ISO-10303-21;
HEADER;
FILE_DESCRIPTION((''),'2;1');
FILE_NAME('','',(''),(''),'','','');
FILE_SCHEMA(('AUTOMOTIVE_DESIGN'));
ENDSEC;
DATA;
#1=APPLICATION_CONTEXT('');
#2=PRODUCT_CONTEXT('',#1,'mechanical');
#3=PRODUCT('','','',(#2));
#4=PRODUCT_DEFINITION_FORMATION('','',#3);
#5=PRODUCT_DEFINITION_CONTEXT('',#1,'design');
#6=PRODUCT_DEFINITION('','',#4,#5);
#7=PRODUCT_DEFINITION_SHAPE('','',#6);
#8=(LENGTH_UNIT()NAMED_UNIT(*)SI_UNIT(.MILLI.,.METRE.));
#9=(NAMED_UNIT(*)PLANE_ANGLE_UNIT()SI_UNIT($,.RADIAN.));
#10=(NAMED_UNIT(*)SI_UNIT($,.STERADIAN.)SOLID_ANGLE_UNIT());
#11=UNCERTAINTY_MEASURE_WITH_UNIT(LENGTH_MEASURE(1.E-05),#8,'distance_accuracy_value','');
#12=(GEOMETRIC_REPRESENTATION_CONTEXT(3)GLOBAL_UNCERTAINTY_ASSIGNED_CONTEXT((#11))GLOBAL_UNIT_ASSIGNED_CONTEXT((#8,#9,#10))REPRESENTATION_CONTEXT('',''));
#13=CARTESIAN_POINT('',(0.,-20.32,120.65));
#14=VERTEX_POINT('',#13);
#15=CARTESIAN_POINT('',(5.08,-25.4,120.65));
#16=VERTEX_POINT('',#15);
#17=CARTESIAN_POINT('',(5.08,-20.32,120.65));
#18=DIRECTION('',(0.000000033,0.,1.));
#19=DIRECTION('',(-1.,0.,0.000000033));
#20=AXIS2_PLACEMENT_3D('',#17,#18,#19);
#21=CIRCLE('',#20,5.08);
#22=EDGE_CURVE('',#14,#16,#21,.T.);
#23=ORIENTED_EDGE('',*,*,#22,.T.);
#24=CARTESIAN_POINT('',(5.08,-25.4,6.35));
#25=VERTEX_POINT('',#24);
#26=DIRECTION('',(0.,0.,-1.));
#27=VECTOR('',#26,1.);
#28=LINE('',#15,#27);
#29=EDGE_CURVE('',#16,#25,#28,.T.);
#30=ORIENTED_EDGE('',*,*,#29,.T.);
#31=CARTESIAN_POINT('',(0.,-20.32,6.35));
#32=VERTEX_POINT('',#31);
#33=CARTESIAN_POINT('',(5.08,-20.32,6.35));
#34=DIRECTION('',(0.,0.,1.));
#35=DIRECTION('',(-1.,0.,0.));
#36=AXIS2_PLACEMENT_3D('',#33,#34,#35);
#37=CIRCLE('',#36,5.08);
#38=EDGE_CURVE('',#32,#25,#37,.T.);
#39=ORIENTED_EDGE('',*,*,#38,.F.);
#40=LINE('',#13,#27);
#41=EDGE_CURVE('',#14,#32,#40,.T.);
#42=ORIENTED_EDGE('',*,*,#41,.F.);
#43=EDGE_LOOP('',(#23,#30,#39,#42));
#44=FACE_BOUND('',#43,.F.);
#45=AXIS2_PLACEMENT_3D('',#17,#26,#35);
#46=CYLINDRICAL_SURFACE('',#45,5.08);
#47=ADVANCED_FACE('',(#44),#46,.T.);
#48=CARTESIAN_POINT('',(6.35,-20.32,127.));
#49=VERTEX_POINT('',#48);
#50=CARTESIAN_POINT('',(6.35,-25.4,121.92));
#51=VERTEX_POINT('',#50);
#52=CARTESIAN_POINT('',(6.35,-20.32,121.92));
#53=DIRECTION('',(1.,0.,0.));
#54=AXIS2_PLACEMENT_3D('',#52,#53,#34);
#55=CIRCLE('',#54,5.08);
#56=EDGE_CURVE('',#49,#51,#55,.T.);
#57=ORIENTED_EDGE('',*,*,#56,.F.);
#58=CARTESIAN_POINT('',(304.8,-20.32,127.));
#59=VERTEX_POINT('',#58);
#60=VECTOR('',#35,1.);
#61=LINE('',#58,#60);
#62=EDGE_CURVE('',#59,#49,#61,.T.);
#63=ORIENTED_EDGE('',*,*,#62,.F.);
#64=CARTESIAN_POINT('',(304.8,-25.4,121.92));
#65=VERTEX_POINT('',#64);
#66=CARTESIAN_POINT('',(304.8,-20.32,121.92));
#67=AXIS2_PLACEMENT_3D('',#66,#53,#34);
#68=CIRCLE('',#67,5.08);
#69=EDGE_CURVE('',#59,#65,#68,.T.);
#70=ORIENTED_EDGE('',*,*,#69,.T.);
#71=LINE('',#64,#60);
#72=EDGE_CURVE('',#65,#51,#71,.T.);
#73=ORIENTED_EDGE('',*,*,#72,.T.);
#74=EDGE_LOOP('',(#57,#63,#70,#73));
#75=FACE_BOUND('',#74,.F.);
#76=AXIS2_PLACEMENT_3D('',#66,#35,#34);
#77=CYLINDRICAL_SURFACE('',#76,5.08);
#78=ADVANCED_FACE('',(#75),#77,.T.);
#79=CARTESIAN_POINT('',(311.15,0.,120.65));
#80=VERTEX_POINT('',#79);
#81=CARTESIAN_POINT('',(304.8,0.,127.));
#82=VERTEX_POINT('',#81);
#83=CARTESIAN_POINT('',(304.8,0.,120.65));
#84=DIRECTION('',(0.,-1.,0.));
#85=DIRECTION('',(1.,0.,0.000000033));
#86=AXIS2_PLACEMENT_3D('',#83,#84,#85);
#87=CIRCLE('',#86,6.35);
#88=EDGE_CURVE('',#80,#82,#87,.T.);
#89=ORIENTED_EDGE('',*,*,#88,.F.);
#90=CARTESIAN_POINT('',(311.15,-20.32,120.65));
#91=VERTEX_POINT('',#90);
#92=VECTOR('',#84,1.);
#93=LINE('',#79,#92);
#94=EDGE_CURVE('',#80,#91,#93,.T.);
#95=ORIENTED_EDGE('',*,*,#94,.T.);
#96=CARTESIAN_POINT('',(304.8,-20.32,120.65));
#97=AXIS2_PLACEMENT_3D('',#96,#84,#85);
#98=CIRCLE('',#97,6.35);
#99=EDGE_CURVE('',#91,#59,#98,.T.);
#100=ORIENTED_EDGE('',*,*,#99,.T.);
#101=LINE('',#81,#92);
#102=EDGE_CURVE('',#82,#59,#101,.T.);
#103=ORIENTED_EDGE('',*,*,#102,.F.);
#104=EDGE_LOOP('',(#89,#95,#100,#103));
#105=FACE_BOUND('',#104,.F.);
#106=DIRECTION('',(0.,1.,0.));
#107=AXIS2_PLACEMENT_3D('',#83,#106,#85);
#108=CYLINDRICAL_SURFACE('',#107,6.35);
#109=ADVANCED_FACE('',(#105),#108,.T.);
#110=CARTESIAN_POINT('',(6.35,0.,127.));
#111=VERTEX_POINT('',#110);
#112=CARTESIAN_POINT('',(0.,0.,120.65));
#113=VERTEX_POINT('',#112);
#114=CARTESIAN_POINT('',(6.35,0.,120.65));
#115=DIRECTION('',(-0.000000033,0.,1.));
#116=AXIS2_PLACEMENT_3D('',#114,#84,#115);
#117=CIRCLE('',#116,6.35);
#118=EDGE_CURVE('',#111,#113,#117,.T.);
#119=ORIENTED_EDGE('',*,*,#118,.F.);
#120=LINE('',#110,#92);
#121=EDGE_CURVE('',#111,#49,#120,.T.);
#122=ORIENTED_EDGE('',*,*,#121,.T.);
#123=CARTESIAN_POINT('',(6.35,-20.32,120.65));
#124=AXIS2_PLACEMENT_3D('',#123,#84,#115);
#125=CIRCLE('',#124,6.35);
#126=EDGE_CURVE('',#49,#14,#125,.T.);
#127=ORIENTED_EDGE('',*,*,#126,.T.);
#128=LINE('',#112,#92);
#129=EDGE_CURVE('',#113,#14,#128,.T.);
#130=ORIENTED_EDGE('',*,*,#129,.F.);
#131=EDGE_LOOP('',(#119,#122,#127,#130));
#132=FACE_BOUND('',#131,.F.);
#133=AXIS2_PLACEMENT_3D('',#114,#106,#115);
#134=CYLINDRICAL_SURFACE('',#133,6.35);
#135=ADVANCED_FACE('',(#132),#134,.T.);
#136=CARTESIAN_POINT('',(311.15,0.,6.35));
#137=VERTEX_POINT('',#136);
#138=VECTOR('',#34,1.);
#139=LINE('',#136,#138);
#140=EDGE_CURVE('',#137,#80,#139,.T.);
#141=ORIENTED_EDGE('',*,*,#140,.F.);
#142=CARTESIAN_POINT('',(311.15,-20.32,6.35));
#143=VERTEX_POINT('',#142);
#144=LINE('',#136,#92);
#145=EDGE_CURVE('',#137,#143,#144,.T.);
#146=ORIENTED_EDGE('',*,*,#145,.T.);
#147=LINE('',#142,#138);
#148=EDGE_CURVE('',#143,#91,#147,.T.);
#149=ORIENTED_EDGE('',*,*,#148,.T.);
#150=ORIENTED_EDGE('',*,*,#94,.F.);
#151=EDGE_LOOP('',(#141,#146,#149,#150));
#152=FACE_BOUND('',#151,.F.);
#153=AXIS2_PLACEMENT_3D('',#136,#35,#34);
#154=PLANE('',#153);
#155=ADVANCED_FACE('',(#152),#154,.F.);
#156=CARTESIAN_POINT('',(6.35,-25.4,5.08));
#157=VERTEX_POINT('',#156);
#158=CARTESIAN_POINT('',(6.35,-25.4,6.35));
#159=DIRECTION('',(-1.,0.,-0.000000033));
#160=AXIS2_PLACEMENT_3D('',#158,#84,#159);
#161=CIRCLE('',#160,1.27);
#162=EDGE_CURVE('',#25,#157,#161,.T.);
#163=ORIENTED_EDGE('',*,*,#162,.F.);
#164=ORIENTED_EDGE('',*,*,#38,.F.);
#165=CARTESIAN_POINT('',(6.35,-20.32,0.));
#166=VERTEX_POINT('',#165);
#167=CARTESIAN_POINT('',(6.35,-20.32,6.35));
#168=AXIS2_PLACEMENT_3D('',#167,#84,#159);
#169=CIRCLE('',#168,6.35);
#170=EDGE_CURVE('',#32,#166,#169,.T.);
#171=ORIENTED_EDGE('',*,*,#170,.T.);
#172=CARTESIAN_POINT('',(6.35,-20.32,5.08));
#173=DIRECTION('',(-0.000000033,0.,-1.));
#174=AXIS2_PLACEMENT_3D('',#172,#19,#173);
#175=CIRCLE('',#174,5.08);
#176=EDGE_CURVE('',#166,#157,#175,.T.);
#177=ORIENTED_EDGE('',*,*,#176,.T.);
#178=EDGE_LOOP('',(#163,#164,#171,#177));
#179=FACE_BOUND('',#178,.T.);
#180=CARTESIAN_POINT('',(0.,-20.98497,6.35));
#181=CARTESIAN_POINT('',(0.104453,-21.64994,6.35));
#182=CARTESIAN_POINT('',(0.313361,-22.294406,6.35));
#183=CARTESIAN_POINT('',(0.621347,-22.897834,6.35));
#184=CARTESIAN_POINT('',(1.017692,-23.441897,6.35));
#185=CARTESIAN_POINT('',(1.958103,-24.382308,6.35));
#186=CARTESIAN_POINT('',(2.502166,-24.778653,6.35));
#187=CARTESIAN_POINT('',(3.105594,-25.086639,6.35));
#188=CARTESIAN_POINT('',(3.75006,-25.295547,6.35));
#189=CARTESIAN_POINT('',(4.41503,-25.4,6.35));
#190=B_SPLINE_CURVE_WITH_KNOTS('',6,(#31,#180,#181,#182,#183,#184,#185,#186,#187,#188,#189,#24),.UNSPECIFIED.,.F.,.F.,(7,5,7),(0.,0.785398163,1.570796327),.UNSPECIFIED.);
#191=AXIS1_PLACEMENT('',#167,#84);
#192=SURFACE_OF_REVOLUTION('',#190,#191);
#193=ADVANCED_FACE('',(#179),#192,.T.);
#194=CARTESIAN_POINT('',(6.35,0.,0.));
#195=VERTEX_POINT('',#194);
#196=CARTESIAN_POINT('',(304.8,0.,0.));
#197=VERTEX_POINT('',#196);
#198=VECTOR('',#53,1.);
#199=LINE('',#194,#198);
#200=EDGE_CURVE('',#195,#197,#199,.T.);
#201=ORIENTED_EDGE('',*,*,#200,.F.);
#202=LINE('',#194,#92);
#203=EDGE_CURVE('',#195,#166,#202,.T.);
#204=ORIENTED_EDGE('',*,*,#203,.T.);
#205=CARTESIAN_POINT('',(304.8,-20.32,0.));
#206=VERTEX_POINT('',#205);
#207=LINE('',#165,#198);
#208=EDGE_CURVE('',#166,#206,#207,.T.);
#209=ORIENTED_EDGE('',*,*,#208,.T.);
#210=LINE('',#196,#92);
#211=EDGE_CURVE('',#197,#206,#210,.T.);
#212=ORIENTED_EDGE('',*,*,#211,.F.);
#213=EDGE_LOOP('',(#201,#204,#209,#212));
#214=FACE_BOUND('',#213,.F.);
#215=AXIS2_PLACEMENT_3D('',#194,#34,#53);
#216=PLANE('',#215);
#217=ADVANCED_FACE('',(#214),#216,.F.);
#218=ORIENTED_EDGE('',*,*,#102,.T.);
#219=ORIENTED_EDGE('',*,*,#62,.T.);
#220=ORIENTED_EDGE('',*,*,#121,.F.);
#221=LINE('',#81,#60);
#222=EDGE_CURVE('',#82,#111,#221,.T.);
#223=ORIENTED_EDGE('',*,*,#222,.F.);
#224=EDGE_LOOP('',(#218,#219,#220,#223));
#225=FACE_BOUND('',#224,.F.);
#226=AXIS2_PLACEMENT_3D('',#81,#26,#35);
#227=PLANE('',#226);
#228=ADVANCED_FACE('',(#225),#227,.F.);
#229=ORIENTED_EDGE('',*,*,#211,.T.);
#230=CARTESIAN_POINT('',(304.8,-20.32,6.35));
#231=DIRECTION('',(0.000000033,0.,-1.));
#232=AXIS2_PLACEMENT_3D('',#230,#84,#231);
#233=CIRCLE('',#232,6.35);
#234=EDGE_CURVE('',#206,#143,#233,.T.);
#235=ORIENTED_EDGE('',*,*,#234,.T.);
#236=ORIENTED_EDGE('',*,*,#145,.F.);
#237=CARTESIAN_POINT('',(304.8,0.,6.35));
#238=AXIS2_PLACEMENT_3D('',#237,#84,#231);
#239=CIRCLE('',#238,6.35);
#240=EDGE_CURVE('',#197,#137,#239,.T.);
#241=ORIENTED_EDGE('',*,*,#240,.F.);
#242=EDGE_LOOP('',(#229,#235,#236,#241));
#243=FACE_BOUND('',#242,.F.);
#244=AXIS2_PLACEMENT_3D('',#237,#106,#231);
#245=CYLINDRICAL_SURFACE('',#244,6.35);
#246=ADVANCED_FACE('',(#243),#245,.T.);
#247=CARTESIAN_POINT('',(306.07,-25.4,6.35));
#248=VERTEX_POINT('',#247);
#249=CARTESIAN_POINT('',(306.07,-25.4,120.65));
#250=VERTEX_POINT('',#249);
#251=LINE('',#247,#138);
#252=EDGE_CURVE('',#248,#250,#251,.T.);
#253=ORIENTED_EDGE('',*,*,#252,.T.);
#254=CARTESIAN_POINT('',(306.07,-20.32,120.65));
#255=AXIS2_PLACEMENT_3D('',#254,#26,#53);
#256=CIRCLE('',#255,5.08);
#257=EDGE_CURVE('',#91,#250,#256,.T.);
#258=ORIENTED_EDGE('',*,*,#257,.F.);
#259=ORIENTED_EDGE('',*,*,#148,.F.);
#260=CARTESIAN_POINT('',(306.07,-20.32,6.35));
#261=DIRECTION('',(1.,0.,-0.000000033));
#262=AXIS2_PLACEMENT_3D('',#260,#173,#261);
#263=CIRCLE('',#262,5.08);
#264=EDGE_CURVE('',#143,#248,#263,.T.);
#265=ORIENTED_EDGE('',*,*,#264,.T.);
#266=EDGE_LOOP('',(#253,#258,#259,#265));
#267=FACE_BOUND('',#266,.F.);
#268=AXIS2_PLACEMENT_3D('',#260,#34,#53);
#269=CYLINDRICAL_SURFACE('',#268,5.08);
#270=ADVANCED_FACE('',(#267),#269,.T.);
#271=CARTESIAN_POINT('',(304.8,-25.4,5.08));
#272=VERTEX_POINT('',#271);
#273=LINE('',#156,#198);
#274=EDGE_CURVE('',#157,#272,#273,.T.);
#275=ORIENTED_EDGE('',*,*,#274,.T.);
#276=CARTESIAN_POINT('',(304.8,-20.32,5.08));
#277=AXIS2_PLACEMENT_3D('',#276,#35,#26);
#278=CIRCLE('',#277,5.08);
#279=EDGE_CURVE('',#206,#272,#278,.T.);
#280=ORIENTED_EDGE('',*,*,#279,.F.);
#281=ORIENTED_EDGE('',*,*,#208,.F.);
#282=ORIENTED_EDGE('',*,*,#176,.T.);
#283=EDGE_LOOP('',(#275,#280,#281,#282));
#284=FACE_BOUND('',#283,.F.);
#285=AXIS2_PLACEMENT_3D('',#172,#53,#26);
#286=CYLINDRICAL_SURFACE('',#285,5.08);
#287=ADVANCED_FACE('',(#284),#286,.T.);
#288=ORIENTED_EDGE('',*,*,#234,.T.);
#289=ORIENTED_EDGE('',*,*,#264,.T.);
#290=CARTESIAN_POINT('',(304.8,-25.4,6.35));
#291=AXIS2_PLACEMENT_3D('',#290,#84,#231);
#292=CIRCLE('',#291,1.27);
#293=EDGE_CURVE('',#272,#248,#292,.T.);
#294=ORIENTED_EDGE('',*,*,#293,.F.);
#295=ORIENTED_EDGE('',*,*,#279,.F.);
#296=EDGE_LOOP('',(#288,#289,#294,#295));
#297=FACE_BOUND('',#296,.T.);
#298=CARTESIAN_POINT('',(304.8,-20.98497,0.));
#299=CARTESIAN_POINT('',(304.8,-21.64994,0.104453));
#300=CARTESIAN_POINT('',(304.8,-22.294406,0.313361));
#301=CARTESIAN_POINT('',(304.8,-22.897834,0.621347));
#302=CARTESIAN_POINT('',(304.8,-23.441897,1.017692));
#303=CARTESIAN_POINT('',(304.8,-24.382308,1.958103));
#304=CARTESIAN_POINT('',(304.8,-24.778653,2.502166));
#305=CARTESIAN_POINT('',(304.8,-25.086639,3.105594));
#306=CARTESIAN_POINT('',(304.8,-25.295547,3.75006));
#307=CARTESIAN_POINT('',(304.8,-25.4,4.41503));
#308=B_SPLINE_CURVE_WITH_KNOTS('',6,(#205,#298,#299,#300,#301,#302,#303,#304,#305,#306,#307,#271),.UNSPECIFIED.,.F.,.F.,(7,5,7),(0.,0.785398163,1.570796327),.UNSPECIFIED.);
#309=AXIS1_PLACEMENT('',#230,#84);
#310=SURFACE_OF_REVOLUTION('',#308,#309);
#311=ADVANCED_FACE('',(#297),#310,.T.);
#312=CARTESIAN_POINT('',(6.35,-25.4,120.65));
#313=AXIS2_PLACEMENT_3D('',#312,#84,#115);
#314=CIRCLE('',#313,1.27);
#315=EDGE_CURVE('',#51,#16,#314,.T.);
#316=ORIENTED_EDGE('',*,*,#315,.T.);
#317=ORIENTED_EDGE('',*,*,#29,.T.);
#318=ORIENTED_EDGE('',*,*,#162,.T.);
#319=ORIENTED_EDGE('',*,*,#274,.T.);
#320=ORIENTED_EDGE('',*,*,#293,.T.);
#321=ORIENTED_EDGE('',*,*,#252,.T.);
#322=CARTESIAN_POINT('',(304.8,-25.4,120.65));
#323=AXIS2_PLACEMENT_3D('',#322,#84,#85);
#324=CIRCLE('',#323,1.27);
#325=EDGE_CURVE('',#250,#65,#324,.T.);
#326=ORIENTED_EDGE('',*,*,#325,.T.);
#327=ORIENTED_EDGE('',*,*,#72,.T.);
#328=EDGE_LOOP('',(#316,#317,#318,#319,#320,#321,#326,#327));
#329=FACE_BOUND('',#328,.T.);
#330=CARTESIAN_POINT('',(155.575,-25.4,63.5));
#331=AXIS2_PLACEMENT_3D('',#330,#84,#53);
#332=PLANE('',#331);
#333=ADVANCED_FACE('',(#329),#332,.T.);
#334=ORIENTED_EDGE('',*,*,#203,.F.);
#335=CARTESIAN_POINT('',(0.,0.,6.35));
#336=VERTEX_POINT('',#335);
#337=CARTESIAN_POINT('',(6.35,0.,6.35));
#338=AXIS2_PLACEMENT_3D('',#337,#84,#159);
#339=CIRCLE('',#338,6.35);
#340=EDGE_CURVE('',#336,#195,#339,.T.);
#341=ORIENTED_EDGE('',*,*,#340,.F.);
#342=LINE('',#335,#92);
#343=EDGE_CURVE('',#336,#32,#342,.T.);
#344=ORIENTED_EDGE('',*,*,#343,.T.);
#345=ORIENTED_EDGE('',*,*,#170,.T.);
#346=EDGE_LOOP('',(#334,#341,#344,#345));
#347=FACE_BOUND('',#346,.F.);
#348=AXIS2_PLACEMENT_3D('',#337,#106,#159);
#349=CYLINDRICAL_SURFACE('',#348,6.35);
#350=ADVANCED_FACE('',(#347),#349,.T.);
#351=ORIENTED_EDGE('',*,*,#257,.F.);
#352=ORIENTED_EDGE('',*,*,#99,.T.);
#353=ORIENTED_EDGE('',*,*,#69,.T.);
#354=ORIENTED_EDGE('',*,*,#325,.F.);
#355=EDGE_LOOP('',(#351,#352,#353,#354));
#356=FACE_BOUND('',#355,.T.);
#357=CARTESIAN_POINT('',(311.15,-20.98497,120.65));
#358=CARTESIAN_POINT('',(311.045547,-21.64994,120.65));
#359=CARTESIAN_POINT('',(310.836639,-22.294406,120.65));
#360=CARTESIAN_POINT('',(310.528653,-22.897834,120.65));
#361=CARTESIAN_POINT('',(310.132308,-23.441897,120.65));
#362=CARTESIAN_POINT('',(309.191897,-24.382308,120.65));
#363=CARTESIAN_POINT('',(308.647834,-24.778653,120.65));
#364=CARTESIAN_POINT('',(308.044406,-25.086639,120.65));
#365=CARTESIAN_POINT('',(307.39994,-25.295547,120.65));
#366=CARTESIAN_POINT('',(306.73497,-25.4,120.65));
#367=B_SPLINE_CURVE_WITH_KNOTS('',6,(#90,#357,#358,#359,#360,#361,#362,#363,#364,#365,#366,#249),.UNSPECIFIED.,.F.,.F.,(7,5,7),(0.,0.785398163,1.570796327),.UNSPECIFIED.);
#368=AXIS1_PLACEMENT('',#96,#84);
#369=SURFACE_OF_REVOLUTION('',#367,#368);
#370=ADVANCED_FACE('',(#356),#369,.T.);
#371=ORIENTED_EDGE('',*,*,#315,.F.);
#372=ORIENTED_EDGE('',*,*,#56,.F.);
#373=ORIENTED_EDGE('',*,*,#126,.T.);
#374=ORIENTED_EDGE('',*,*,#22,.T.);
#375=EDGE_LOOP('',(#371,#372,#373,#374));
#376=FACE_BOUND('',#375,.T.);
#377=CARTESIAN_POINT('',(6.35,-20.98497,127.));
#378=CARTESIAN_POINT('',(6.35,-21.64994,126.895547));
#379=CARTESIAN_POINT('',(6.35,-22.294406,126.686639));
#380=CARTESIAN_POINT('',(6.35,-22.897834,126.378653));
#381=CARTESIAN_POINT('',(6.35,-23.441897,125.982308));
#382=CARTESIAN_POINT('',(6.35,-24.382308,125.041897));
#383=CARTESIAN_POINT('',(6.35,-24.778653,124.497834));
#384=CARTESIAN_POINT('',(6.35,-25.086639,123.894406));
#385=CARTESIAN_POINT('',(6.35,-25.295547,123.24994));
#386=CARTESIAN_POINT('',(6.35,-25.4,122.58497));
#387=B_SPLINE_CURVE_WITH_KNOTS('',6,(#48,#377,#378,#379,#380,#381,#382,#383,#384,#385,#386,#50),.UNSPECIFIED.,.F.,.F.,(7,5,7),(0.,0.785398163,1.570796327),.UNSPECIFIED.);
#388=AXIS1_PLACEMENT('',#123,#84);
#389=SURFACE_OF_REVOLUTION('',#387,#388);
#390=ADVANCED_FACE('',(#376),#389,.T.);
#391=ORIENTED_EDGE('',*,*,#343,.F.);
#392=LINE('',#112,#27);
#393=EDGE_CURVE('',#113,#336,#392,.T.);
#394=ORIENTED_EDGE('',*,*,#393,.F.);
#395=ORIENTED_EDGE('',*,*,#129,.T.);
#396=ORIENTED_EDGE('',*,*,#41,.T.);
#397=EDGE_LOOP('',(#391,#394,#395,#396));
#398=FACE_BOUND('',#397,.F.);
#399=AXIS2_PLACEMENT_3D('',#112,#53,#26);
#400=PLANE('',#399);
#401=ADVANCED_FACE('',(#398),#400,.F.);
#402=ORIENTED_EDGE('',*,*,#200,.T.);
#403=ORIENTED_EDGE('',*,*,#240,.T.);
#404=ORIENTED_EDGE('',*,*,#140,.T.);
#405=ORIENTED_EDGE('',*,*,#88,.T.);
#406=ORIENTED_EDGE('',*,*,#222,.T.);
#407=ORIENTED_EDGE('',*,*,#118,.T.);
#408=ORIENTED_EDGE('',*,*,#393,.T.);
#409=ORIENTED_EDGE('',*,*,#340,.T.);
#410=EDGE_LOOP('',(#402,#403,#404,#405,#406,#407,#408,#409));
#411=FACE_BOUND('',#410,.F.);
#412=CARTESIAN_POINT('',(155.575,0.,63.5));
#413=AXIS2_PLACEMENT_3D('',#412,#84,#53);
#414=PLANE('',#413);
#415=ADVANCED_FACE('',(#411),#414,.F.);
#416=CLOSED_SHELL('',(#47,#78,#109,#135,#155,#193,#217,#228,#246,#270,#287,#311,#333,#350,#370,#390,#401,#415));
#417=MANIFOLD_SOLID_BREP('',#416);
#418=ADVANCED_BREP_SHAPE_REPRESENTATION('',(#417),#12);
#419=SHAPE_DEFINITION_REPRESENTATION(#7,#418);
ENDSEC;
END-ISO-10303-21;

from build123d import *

# Parameters (mm, degrees)
F1_DEPTH = 25.4
F2_R     = 5.08


with BuildPart() as f1:
    # F0 (on Front) → F1 (new body)
    with BuildSketch(Plane.XZ):
        with BuildLine():
            ThreePointArc((0, 6.35), (1.859872, 1.859872), (6.35, 0))
            Line((6.35, 0), (304.8, 0))
            ThreePointArc((304.8, 0), (309.290128, 1.859872), (311.15, 6.35))
            Line((311.15, 6.35), (311.15, 120.65))
            ThreePointArc((311.15, 120.65), (309.290128, 125.140128), (304.8, 127))
            Line((304.8, 127), (6.35, 127))
            ThreePointArc((6.35, 127), (1.859872, 125.140128), (0, 120.65))
            Line((0, 120.65), (0, 6.35))
        make_face()
    extrude(amount=F1_DEPTH)

    # F2
    f2_edges = [f1.edges().sort_by_distance(p)[0] for p in [
        (155.575, -25.4, 127),
        (311.15, -25.4, 63.5),
        (155.575, -25.4, 0),
        (0, -25.4, 63.5),
    ]]
    fillet(f2_edges, radius=F2_R)


solid = f1.part
